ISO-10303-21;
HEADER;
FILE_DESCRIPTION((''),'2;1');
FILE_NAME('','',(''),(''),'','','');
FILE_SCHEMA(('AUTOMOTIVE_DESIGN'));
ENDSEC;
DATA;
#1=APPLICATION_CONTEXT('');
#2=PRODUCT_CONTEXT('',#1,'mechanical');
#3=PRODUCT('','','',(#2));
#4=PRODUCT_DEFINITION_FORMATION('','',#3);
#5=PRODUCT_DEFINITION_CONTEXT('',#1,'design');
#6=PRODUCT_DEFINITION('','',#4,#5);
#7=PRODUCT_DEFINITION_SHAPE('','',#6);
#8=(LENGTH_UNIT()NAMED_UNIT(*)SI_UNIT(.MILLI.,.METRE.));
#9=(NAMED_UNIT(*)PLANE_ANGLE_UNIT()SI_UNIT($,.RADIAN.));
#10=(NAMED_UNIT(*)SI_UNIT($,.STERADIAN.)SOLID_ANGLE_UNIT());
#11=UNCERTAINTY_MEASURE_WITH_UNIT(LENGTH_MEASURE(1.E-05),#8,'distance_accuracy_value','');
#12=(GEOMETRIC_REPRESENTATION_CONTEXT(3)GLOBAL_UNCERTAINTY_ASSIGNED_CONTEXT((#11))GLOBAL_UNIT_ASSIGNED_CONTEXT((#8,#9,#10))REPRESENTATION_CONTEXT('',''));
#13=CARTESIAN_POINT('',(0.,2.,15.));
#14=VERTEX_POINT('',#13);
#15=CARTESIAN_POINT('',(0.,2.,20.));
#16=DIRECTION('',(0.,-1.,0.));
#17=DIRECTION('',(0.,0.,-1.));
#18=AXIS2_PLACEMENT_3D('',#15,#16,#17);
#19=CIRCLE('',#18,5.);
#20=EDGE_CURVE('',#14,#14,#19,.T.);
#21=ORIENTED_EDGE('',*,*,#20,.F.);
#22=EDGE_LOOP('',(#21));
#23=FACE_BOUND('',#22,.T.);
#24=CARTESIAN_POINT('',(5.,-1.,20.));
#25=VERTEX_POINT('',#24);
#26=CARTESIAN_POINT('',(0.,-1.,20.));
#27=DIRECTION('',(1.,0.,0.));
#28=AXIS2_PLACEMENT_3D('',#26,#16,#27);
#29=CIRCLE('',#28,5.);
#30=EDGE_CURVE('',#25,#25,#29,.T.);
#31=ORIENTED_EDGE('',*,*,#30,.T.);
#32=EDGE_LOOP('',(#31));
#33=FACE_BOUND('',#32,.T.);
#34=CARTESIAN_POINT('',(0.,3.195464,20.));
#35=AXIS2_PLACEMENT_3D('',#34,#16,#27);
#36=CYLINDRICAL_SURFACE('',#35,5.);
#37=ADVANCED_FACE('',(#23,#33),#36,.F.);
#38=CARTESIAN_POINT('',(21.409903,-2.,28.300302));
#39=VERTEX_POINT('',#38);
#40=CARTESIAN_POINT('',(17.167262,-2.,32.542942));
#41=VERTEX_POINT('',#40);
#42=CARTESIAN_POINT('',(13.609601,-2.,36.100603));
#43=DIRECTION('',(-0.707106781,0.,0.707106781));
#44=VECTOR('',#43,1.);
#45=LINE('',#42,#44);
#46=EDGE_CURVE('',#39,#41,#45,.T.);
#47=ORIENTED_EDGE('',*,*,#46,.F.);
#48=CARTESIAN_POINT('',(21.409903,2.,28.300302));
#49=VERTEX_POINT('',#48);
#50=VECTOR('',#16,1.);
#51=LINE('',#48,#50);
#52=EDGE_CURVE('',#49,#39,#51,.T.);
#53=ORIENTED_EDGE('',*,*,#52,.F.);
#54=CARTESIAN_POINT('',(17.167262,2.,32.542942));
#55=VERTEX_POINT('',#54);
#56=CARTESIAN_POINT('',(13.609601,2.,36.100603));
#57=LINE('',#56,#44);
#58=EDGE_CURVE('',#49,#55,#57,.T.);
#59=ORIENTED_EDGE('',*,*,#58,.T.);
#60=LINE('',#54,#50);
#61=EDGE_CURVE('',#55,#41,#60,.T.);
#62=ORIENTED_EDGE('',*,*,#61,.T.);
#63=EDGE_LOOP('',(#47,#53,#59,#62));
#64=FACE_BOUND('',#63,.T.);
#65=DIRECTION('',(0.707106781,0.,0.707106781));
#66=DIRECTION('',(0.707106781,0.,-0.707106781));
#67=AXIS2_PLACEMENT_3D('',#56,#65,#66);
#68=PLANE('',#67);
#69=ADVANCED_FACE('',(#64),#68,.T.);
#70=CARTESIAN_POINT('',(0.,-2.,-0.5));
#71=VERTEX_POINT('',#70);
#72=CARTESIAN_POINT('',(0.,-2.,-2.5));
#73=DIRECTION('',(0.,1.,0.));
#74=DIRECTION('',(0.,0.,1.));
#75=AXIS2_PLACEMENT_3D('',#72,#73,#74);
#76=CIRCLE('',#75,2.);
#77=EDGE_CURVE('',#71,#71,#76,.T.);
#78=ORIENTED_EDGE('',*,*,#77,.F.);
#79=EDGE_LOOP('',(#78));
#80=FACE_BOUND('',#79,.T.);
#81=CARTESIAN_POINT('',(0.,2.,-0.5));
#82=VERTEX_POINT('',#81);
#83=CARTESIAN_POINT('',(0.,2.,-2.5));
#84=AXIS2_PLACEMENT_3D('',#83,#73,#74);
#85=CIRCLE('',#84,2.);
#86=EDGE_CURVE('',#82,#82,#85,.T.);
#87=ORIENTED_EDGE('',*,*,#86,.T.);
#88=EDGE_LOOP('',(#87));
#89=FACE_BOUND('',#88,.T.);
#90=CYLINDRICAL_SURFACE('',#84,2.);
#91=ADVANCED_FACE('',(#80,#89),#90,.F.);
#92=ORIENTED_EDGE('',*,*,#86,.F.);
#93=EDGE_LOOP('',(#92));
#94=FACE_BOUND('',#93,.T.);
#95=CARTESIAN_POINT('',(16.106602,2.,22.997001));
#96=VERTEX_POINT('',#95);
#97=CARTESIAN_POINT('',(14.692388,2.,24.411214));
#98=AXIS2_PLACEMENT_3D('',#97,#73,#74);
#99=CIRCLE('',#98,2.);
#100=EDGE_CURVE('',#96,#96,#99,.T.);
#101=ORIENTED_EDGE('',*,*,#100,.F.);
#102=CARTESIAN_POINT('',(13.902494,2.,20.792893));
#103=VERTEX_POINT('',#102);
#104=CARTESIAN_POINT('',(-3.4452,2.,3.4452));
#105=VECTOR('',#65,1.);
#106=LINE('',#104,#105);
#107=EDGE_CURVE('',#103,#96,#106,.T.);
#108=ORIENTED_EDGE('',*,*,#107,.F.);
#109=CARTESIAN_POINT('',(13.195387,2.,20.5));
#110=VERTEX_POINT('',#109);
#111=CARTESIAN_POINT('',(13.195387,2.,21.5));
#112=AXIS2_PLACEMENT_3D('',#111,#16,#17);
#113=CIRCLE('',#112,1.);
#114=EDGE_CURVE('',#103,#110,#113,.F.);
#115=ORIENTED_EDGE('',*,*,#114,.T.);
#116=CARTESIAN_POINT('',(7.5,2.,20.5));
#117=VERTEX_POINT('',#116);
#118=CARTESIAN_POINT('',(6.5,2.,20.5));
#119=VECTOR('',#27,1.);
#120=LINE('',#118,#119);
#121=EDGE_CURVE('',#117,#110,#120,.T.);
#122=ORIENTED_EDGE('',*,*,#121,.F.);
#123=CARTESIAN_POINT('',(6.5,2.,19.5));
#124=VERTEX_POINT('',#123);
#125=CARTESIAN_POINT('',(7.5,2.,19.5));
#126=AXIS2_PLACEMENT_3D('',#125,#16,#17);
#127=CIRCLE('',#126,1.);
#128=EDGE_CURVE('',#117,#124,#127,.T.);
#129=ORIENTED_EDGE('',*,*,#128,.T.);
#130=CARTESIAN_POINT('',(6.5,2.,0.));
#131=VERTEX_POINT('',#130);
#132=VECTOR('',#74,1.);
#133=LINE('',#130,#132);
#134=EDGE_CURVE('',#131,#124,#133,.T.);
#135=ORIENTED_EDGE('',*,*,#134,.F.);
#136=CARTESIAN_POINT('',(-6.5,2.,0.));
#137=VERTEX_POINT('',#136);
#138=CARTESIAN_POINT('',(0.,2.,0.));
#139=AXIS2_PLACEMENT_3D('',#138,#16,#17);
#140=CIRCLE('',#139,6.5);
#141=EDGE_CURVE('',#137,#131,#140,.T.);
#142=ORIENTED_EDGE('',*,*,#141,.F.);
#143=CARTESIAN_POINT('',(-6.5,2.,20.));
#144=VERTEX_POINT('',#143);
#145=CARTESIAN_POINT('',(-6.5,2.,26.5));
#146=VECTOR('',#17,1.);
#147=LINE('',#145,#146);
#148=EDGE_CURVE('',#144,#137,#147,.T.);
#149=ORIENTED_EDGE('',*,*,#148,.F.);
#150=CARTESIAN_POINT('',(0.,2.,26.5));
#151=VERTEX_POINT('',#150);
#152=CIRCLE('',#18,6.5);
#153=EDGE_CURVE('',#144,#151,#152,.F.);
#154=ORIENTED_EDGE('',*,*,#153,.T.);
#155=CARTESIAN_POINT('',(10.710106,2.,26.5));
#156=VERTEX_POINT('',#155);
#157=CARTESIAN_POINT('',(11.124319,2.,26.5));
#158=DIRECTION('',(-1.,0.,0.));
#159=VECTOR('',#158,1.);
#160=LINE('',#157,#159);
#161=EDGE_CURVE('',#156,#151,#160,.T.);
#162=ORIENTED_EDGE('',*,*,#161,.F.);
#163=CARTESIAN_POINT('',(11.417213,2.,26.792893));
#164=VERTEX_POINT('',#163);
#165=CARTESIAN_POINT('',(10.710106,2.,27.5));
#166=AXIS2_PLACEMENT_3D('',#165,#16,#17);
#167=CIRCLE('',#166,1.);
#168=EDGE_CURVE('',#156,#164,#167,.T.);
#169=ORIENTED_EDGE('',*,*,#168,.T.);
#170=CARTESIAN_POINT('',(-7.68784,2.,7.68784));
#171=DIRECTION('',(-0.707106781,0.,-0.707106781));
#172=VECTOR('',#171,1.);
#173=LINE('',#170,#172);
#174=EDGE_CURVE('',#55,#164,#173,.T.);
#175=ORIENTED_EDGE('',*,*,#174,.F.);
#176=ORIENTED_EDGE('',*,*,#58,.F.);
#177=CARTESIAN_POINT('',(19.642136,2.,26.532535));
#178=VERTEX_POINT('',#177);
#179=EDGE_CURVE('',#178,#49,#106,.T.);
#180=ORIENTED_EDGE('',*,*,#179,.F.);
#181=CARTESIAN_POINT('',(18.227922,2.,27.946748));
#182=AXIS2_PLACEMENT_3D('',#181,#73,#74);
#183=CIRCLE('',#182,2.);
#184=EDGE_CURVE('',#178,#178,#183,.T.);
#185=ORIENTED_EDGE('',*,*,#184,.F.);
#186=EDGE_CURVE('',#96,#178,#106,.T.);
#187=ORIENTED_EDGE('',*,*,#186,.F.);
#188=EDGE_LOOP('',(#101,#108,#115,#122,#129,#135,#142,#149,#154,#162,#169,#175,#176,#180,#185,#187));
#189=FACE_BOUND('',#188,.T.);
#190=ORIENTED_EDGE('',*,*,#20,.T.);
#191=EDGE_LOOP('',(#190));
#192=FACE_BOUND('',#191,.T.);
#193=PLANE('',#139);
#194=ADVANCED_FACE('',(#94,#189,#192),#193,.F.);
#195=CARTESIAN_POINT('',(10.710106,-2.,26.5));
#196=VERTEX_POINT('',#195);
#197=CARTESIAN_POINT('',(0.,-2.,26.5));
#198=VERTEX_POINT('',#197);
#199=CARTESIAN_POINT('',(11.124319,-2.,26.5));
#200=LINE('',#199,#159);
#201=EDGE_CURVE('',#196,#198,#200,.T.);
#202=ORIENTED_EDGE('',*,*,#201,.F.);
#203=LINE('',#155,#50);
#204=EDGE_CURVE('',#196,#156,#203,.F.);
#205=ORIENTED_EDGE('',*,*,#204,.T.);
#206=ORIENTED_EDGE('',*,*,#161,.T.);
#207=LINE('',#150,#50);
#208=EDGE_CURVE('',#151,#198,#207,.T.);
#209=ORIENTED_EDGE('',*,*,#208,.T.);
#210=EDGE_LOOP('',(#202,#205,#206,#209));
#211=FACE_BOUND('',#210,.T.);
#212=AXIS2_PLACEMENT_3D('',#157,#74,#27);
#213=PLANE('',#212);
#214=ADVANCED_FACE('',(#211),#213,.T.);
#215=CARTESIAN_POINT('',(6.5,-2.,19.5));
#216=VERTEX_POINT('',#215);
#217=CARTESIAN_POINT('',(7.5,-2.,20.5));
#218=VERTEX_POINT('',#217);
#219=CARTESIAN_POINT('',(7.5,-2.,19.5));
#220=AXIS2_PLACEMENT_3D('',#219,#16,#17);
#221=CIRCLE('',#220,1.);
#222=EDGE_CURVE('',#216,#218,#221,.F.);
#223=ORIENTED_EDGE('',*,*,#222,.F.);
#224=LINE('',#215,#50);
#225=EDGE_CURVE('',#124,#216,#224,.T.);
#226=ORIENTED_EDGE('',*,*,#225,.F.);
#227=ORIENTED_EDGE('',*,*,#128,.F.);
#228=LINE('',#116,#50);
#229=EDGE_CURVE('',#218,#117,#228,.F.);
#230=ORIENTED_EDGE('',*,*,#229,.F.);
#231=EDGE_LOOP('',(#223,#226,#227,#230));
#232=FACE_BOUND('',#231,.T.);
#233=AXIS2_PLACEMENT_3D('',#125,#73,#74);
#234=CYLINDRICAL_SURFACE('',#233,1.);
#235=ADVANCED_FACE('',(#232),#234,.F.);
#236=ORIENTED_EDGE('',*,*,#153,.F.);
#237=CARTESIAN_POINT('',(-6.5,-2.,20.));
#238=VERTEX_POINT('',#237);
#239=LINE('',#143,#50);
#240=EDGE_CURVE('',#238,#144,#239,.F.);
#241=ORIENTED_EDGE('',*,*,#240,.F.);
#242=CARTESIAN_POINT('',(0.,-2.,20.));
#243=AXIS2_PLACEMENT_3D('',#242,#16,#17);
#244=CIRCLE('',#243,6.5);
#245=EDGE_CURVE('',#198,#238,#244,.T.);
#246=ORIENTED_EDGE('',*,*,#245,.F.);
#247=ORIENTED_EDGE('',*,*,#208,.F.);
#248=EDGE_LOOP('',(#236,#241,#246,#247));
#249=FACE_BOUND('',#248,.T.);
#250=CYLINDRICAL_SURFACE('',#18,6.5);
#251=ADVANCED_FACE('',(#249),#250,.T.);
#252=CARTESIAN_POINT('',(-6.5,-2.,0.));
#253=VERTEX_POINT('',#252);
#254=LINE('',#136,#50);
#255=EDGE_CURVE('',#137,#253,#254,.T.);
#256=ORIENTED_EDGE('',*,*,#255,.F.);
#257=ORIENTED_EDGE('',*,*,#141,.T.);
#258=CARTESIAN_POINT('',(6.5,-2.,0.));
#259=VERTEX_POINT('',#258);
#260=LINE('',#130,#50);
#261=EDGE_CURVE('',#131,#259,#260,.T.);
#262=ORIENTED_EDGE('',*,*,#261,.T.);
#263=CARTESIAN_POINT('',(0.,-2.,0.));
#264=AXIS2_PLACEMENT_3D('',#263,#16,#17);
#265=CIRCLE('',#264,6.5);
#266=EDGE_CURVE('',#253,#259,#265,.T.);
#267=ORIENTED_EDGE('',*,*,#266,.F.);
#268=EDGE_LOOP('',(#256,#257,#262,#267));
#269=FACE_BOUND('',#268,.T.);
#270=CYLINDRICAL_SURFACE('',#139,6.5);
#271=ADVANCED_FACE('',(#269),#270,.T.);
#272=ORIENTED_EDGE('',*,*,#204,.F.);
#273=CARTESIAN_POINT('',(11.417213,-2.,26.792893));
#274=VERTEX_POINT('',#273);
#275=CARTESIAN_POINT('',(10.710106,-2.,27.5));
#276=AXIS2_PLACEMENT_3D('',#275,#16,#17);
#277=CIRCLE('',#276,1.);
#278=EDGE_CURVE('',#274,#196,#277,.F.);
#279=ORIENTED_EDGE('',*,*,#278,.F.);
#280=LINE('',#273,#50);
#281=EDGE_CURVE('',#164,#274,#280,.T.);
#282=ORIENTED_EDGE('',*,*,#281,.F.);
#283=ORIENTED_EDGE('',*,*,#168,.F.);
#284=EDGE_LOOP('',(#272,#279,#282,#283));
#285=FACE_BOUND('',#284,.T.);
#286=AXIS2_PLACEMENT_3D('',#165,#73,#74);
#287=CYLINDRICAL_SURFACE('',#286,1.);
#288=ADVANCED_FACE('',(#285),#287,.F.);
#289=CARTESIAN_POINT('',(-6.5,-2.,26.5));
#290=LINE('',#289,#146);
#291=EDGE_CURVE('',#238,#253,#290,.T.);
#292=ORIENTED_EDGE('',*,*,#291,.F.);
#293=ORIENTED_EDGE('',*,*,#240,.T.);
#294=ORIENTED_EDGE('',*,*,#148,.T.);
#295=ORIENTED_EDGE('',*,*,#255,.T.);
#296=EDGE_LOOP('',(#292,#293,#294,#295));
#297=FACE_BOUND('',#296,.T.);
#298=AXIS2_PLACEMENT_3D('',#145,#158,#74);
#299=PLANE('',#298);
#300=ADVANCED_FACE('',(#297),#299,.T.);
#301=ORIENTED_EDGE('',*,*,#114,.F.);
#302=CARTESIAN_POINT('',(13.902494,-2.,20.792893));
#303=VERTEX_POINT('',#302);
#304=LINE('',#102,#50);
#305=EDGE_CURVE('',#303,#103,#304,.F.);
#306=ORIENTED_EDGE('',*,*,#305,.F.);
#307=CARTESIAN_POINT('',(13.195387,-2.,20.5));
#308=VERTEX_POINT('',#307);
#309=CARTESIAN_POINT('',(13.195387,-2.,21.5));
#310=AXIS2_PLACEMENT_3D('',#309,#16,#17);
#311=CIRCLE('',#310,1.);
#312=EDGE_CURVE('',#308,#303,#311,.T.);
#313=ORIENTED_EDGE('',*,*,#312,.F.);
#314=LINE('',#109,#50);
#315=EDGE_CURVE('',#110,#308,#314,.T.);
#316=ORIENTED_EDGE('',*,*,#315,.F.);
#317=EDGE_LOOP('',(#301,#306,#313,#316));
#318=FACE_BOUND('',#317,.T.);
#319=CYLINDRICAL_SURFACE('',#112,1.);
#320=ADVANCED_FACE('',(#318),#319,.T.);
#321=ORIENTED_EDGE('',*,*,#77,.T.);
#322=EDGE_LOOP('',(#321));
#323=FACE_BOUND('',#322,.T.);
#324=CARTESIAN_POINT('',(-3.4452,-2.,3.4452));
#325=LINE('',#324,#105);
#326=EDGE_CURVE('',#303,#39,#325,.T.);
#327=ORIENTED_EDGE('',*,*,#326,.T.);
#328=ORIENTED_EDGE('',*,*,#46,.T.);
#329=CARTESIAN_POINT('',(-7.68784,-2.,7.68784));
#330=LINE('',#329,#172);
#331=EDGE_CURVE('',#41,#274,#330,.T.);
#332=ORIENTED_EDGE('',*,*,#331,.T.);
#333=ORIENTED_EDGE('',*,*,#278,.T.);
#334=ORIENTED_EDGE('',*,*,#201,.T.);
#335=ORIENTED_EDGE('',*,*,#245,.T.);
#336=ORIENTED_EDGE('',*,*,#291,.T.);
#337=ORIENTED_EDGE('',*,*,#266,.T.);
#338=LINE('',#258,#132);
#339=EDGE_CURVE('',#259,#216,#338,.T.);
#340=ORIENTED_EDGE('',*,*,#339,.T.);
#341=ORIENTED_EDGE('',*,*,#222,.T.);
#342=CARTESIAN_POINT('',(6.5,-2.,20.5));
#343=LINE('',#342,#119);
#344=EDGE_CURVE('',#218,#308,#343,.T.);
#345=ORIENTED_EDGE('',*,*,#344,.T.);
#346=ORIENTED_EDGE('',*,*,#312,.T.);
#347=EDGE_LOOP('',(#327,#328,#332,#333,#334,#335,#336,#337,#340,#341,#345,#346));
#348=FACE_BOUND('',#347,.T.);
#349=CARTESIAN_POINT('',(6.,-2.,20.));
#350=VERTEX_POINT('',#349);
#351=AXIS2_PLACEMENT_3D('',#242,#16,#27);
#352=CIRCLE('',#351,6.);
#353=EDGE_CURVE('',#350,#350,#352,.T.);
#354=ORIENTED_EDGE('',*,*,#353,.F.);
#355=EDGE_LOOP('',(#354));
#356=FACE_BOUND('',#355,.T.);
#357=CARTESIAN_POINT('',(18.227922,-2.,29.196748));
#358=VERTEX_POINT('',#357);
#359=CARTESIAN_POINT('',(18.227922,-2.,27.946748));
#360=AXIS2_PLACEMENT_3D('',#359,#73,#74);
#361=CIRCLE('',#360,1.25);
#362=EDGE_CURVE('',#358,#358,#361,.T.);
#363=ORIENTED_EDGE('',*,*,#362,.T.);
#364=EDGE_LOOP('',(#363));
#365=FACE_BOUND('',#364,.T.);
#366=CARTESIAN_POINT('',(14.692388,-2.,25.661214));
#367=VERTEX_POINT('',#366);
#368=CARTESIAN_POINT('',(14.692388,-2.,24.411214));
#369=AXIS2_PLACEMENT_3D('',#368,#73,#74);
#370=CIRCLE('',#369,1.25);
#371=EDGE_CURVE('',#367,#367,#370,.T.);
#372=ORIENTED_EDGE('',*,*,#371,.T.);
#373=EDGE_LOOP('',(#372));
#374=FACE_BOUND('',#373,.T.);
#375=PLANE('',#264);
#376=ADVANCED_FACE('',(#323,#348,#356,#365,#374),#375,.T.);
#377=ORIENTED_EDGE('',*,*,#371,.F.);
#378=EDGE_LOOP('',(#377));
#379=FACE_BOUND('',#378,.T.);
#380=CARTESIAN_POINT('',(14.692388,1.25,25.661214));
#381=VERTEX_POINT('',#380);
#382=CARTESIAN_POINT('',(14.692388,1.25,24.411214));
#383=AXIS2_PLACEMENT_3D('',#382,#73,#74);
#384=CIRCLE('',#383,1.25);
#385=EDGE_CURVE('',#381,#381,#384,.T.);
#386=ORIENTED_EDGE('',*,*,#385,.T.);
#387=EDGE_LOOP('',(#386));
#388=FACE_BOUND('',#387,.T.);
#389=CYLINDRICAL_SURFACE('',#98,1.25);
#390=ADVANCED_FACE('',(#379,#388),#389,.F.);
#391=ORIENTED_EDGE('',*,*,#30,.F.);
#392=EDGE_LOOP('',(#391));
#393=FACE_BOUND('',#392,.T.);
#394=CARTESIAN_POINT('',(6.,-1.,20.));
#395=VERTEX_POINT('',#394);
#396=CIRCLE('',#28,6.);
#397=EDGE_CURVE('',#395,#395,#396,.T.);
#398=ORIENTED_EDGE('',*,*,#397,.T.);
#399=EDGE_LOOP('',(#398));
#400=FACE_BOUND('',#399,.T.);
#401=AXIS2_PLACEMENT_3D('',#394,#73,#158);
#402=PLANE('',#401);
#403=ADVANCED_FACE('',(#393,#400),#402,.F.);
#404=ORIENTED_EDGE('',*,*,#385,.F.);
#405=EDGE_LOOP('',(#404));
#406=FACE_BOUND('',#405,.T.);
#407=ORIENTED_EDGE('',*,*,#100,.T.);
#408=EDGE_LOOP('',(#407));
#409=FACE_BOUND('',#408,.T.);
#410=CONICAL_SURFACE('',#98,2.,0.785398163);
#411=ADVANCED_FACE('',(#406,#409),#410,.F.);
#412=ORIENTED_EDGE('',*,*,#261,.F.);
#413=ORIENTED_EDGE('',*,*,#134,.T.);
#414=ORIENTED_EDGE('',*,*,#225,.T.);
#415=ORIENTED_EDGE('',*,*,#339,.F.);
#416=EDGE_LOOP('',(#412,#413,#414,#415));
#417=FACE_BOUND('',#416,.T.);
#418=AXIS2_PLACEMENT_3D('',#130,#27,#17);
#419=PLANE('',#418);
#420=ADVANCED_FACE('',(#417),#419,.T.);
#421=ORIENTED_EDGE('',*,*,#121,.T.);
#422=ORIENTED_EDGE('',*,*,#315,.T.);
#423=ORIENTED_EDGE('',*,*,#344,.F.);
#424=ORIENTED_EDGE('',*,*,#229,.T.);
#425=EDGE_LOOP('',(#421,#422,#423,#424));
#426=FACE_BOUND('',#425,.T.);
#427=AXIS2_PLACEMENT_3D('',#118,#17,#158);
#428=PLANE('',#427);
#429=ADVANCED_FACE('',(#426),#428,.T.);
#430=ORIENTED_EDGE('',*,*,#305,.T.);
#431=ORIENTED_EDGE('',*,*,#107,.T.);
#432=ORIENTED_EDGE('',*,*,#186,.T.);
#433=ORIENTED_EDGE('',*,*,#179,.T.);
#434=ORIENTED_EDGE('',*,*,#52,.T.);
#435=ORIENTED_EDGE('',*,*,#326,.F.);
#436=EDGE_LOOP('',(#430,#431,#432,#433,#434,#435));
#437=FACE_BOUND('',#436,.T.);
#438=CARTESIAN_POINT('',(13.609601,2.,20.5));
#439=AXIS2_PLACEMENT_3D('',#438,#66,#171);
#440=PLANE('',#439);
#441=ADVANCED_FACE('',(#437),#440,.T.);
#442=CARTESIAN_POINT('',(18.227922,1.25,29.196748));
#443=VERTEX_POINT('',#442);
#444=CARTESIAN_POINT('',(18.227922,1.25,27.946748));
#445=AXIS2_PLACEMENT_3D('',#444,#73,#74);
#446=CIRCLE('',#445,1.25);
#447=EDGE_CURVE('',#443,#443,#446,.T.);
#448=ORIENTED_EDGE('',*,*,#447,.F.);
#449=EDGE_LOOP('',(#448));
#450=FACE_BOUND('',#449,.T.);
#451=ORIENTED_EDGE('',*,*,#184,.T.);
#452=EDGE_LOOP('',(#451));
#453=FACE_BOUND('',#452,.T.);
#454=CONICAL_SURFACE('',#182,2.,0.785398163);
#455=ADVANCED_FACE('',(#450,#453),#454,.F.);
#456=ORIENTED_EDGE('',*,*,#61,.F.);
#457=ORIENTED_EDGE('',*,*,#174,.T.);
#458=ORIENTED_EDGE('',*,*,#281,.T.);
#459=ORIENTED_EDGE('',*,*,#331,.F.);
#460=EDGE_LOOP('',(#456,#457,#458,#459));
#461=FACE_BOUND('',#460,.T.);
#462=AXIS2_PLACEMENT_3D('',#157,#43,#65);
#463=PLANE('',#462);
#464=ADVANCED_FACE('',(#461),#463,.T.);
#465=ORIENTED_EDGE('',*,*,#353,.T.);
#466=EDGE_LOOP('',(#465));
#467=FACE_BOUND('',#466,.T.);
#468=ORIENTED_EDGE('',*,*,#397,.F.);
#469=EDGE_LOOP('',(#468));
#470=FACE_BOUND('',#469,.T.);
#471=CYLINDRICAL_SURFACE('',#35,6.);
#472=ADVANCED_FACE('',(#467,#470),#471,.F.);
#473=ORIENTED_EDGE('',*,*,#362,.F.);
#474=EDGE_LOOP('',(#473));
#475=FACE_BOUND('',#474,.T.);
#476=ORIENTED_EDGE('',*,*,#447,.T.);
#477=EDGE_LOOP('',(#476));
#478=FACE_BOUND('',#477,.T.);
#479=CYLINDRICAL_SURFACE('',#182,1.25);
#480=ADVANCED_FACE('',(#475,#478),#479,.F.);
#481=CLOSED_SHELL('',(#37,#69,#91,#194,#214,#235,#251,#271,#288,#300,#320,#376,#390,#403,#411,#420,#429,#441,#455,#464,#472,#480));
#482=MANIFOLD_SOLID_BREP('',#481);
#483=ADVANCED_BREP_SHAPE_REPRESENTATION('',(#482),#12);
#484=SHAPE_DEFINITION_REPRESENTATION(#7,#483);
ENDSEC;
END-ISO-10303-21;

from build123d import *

# Parameters (mm, degrees)
BOSS_EXTRUDE1_DEPTH           = 4
DRAFT1_ANGLE                  = 45.000000004
DRAFT2_ANGLE                  = 45.000000005
F_4_0_4_DIAMETER_HOLE1_D      = 4
FILLET1_R                     = 1
FILLET2_R                     = 6.5
CSK_FOR_M3_SFHCS2_D           = 2.5
CSK_FOR_M3_SFHCS2_CSINK_D     = 4
CSK_FOR_M3_SFHCS2_CSINK_ANGLE = 90


with BuildPart() as part:
    # Sketch1 → Boss-Extrude1 (new body)
    with BuildSketch(Plane.XZ.offset(2)):
        with BuildLine():
            Line((11.124319466, 26.5), (-6.5, 26.5))
            Line((-6.5, 26.5), (-6.5, 0))
            ThreePointArc((-6.5, 0), (3e-09, -6.500000003), (6.500000005, 0))
            Line((6.500000005, 0), (6.500000005, 20.5))
            Line((6.500000005, 20.5), (13.60960084, 20.5))
            Line((13.60960084, 20.5), (13.60960084, 36.100603473))
            Line((13.60960084, 36.100603473), (11.124319466, 38.585884847))
            Line((11.124319466, 38.585884847), (11.124319466, 26.5))
        make_face()
    extrude(amount=-BOSS_EXTRUDE1_DEPTH)

    # Draft1
    draft1_faces = [part.faces().sort_by_distance(p)[0] for p in [
        (13.60960084, 0, 28.300301737),
    ]]
    draft(draft1_faces, Plane(origin=(6.500000005, 2, 20.5), x_dir=(-1, 0, 0), z_dir=(0, 0, -1)), DRAFT1_ANGLE)

    # Draft2
    draft2_faces = [part.faces().sort_by_distance(p)[0] for p in [
        (11.124319466, 0, 32.542942424),
    ]]
    draft(draft2_faces, Plane(origin=(11.124319466, 2, 26.5), x_dir=(1, 0, 0), z_dir=(0, 0, 1)), DRAFT2_ANGLE)

    # Sketch2 → Cut-Revolve1 (revolve, cut)
    with BuildSketch(Plane.XY.offset(20)):
        Polygon((0, 3.195464025), (0, -2), (6, -2), (6, -1), (5, -1), (5, 3.195464025), align=None)
    revolve(axis=Axis((0, 3.195464025, 20), (0, -1, 0)), mode=Mode.SUBTRACT)

    # Ø4.0 (4) Diameter Hole1 (through all)
    with Locations(Plane(origin=(0, 2, 0), x_dir=(1, 0, 0), z_dir=(0, 1, 0))):
        with Locations((0, 2.5)):
            Hole(F_4_0_4_DIAMETER_HOLE1_D / 2)

    # Fillet1
    fillet1_edges = [part.edges().sort_by_distance(p)[0] for p in [
        (13.60960084, 0, 20.5),
        (6.500000005, 0, 20.5),
        (11.124319466, 0, 26.5),
    ]]
    fillet(fillet1_edges, radius=FILLET1_R)

    # Fillet2
    fillet2_edges = [part.edges().sort_by_distance(p)[0] for p in [
        (-6.5, 0, 26.5),
    ]]
    fillet(fillet2_edges, radius=FILLET2_R)

    # CSK for M3 SFHCS2 (through all)
    with Locations(Plane(origin=(18.227922062, 2, 27.946748346), x_dir=(0, 0, 1), z_dir=(0, 1, 0))):
        with Locations((0, 0), (-3.535533906, -3.535533907)):
            CounterSinkHole(CSK_FOR_M3_SFHCS2_D / 2, CSK_FOR_M3_SFHCS2_CSINK_D / 2, counter_sink_angle=CSK_FOR_M3_SFHCS2_CSINK_ANGLE)


solid = part.part
